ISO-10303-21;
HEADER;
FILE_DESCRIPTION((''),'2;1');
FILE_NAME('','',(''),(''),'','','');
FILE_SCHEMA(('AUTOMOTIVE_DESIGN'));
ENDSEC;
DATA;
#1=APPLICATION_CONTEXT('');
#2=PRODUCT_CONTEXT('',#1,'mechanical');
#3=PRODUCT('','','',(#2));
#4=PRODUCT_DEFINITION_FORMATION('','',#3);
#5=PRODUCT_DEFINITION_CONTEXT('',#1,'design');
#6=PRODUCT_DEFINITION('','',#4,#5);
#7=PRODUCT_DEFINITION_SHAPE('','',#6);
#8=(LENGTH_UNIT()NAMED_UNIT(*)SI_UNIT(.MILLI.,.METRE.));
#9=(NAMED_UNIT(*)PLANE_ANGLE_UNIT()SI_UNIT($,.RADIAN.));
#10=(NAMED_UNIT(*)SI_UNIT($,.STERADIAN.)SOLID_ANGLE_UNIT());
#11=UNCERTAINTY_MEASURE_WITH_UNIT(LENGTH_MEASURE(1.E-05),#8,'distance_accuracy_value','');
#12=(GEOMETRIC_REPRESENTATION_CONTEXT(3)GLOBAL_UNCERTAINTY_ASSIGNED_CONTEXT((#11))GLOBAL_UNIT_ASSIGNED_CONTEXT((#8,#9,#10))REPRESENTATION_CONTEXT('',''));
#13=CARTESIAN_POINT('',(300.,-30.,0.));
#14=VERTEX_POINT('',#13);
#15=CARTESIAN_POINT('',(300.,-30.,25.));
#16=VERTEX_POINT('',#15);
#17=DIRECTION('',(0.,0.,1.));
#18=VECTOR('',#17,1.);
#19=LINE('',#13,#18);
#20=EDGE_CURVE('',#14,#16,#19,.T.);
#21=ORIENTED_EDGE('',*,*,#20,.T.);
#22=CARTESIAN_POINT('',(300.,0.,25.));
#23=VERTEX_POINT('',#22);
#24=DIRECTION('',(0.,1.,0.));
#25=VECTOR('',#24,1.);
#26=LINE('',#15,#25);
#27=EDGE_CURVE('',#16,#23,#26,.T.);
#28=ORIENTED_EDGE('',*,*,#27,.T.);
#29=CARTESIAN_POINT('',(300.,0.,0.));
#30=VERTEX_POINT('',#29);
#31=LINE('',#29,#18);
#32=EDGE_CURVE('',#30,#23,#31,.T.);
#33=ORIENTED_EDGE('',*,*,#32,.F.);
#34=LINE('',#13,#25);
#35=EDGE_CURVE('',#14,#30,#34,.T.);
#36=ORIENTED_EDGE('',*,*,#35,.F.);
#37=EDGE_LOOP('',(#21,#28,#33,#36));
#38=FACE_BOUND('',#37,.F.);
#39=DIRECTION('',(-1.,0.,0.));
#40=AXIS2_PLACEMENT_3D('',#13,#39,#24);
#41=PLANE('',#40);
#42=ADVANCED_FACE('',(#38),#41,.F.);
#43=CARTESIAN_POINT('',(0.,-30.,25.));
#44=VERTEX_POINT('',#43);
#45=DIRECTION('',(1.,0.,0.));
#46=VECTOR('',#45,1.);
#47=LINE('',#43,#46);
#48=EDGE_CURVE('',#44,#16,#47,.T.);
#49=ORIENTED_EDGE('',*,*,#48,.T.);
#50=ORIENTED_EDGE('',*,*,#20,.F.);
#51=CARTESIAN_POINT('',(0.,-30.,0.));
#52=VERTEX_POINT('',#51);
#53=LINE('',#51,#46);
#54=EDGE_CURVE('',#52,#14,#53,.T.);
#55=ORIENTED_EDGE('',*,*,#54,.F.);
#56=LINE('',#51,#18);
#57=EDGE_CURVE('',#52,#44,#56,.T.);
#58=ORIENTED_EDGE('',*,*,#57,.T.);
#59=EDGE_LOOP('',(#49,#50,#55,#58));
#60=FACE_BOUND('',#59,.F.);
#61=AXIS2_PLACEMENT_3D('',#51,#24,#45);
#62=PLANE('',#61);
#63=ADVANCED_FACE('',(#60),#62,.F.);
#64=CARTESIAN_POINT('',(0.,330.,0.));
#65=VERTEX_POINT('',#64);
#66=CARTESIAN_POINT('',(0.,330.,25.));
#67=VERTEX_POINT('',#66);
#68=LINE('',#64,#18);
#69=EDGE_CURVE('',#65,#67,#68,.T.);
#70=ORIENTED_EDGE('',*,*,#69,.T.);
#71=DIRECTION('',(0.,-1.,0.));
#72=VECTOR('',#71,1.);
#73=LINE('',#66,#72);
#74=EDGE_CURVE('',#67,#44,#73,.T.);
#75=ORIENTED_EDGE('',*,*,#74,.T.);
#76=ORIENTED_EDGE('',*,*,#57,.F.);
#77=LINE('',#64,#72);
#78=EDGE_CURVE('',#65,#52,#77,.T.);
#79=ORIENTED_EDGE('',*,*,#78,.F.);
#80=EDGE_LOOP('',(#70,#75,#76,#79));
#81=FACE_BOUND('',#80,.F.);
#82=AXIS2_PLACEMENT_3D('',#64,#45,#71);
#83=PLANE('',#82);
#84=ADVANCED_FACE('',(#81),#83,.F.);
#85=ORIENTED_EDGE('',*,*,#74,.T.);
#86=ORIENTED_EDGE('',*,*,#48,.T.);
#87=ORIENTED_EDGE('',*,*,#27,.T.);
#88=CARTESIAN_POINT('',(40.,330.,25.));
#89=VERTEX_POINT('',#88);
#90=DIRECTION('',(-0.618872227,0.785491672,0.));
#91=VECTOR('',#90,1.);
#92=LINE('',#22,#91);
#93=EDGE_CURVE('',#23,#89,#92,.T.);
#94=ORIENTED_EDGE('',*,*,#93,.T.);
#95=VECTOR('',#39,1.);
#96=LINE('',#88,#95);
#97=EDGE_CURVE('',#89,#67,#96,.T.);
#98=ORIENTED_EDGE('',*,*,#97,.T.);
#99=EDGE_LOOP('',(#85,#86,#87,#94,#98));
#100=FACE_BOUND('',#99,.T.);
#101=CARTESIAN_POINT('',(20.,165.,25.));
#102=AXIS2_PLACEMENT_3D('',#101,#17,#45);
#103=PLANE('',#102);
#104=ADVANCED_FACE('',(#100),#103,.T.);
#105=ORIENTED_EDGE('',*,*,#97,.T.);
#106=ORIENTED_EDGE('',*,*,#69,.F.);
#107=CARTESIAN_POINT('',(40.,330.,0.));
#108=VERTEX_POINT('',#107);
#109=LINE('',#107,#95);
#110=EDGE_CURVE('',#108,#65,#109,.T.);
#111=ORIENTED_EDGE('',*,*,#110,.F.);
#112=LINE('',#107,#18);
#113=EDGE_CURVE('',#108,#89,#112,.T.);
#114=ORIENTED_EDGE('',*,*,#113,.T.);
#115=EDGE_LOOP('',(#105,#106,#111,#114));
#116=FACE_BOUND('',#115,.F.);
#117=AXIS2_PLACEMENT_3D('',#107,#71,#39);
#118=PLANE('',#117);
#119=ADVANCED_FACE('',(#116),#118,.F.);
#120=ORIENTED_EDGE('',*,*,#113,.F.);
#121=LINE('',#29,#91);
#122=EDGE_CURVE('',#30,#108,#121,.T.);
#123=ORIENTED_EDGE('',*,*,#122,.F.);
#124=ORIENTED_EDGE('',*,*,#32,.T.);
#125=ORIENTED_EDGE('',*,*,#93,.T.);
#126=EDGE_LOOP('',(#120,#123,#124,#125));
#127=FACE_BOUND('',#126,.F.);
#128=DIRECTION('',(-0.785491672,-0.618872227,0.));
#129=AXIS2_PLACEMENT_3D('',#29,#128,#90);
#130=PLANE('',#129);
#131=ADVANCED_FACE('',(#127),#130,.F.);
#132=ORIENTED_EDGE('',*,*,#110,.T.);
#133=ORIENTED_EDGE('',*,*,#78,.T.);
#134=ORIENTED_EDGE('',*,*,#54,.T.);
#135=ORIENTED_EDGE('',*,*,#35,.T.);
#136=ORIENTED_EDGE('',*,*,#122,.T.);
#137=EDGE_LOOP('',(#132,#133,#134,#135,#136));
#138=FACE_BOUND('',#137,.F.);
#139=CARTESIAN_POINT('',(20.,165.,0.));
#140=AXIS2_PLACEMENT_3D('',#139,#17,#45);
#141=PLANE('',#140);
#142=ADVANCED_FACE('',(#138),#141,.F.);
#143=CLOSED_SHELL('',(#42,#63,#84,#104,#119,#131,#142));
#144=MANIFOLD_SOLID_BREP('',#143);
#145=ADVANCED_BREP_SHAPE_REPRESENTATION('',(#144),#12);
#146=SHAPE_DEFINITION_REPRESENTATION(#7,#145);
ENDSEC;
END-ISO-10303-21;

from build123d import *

# Parameters (mm, degrees)
F1_DEPTH = 25


with BuildPart() as f1:
    # F0 (on Top) → F1 (new body)
    with BuildSketch(Plane.XY):
        Polygon((0, 0), (20, 0), (40, 0), (40, 297.683151), (40, 330), (0, 330), align=None)
        Polygon((40, 297.683151), (40, 0), (274.538241, 0), align=None)
        Polygon((40, 0), (20, 0), (0, 0), (0, -30), (300, -30), (300, 0), (274.538241, 0), align=None)
        Polygon((40, 297.683151), (274.538241, 0), (300, 0), (40, 330), align=None)
    extrude(amount=F1_DEPTH)


solid = f1.part
